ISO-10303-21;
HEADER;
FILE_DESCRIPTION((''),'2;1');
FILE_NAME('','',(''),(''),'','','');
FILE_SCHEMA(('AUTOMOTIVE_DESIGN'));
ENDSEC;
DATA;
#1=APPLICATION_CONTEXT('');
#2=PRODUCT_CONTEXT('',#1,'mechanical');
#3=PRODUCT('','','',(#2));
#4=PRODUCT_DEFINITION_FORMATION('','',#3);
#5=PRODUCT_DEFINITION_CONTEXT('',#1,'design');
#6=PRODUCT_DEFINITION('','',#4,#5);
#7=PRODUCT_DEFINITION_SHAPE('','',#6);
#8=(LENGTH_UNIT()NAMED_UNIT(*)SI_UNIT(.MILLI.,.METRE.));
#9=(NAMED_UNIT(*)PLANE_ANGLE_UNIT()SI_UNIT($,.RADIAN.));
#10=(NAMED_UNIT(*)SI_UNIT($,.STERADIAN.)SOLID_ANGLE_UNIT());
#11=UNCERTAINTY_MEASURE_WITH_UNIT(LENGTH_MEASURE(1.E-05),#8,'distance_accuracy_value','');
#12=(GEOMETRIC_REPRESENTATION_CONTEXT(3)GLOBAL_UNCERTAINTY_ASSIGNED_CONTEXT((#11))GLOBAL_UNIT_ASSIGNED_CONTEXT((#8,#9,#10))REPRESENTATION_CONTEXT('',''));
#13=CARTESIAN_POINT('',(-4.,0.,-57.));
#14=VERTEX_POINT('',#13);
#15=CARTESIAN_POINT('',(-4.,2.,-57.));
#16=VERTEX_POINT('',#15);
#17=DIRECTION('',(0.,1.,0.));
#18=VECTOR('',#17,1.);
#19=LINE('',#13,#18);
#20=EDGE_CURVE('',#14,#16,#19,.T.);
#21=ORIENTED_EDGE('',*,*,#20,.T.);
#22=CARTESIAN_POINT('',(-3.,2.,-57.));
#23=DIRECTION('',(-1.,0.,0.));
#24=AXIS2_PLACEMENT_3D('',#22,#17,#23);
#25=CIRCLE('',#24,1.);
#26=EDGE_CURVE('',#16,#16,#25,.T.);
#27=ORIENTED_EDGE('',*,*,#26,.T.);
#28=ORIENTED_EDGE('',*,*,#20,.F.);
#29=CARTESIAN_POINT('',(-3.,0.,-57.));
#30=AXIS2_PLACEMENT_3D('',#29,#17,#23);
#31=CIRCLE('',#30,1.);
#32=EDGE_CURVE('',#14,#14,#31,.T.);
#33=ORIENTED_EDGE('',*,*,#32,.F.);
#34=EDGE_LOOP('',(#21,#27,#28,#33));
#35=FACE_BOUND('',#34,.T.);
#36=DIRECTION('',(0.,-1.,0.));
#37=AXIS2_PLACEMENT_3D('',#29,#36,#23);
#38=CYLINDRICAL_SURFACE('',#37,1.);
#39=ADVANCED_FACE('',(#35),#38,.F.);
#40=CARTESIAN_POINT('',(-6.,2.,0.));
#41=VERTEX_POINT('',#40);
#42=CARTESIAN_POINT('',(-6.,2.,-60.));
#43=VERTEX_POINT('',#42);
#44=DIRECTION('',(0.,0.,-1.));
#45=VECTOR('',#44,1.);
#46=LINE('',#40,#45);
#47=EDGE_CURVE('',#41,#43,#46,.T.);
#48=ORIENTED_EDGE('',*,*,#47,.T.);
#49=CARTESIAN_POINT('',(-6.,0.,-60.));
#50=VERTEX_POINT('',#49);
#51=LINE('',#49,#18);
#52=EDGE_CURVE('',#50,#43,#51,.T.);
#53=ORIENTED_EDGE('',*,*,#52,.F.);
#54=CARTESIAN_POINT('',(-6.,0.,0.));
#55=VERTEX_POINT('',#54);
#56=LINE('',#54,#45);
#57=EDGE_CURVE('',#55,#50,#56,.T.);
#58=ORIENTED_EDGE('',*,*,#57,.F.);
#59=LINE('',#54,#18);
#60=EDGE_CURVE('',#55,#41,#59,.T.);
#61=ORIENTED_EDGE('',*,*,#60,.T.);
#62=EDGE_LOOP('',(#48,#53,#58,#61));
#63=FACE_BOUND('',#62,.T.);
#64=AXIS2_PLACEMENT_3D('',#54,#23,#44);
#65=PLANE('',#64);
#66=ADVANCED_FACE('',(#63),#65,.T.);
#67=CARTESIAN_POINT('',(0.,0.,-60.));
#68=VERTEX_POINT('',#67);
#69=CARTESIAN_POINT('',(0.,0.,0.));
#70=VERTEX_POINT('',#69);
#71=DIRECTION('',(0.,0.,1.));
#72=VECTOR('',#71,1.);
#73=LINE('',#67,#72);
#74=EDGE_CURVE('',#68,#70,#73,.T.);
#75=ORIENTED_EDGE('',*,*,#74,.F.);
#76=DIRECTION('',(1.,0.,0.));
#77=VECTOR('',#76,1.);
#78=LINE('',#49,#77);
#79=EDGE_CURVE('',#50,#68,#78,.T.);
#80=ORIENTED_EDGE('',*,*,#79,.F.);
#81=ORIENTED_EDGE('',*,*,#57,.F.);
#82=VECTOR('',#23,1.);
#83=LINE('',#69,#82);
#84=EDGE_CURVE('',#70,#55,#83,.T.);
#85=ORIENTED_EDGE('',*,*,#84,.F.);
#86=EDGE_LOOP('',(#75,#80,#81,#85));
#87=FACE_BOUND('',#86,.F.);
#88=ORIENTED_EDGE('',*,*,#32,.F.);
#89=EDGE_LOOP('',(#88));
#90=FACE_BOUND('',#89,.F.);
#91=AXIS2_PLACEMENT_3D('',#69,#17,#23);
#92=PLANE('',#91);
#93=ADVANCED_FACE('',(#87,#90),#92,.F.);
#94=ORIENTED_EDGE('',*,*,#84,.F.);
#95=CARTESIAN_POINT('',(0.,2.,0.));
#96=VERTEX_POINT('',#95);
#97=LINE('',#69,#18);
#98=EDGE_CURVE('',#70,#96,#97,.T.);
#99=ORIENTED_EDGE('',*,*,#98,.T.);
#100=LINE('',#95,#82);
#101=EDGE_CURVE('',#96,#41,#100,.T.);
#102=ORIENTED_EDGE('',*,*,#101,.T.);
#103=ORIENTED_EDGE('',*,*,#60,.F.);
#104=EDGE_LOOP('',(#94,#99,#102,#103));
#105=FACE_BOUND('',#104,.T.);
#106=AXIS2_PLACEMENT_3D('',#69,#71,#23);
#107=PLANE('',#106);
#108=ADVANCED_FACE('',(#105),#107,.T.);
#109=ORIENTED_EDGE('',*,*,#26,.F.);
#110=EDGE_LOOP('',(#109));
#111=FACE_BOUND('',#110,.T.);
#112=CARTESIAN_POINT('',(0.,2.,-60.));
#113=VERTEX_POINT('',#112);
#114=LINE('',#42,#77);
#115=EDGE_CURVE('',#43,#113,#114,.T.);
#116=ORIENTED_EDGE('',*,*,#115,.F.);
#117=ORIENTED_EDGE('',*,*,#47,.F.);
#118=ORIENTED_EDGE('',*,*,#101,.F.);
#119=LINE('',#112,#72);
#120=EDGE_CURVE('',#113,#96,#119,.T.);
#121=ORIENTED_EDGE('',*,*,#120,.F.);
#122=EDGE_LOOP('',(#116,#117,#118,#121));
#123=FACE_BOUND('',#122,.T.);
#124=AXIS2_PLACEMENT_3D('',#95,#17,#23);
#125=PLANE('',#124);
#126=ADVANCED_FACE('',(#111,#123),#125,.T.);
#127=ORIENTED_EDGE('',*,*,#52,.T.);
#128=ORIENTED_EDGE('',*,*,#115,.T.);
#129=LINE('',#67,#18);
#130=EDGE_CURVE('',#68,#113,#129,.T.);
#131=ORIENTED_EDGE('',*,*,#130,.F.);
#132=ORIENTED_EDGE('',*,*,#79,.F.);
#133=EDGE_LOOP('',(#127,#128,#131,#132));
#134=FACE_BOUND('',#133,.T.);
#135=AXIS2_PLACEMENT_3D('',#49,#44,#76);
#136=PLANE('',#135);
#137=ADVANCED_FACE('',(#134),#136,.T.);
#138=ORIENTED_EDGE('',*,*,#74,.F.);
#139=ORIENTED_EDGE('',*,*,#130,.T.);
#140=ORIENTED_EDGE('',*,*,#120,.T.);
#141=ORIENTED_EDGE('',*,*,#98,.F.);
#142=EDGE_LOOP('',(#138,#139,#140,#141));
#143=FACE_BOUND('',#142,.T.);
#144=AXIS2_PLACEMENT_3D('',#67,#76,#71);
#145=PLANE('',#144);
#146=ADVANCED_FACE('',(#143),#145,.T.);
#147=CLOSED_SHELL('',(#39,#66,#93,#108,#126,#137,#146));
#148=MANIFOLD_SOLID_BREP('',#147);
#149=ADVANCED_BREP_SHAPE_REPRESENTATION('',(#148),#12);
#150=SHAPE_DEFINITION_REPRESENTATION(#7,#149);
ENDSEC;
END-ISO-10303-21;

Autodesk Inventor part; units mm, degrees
ref_plane "YZ Plane" through (0, 0, 0) normal (1, 0, 0) x (0, 1, 0)
ref_plane "XZ Plane" through (0, 0, 0) normal (0, 1, 0) x (-1, 0, 0)
ref_plane "XY Plane" through (0, 0, 0) normal (0, 0, 1) x (1, 0, 0)
sketch "Sketch1" plane through (0, 0, 0) normal (0, 1, 0) x (-1, 0, 0)
  line L0 (0, 0) -> (6, 0)
  line L1 (6, 0) -> (6, -60)
  line L2 (6, -60) -> (0, -60)
  line L3 (0, -60) -> (0, 0)
  circle A0 centre (3, -57) radius 1
  dimension "d0" = 60
  dimension "d1" = 6
  dimension "d2" = 2
  dimension "d4" = 2
  dimension "d5" = 3
extrude "Extrusion1" add sketch "Sketch1" along normal blind 2
properties part number "Cable_tie_CF"
